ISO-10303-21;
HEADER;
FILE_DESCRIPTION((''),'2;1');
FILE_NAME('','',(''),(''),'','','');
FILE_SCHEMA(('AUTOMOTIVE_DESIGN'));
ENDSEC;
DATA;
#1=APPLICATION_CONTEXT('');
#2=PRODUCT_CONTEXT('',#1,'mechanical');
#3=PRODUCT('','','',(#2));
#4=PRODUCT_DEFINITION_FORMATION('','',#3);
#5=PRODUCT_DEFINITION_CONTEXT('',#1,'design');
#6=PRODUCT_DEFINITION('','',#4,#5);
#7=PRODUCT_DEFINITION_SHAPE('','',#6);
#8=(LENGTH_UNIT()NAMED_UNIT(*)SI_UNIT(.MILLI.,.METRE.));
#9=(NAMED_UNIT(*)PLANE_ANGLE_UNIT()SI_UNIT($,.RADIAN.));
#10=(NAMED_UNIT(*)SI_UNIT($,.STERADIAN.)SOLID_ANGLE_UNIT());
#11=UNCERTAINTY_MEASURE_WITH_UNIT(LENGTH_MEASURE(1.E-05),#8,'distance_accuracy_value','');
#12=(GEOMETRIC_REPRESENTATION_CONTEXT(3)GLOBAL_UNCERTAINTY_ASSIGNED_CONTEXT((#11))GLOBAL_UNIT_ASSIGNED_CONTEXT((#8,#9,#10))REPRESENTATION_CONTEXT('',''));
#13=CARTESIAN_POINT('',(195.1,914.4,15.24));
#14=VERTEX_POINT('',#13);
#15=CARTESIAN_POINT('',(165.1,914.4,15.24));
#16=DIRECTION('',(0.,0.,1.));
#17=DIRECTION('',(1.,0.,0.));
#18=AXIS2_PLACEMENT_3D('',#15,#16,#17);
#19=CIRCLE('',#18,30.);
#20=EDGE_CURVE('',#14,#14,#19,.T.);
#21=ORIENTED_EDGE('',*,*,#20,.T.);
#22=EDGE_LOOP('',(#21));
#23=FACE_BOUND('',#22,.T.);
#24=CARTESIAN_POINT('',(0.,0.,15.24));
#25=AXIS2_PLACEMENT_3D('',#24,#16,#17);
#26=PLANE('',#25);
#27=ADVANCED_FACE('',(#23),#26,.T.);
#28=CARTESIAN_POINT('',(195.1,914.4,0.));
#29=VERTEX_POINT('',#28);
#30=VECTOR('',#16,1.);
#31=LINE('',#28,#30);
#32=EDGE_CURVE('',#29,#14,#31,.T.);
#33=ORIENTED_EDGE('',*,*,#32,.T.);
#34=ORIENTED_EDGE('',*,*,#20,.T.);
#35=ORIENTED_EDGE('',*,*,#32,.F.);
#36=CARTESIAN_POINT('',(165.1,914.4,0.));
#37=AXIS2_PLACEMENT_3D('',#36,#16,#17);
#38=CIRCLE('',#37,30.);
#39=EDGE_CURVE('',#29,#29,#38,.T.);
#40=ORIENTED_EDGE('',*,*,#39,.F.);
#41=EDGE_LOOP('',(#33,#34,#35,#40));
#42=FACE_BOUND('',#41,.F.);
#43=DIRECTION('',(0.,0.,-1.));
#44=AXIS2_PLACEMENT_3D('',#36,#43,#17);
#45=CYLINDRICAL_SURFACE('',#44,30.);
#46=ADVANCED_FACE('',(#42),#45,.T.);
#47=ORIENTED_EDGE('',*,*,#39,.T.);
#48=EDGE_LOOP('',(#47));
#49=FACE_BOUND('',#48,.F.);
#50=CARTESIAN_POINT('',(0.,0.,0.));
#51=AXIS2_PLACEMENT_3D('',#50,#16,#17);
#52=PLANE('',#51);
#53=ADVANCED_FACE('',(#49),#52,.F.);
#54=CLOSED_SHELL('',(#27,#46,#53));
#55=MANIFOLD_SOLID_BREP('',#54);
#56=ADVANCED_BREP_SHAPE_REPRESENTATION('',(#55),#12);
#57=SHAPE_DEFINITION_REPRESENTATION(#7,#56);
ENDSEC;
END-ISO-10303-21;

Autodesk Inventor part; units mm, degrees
ref_plane "YZ Plane" through (0, 0, 0) normal (1, 0, 0) x (0, 1, 0)
ref_plane "XZ Plane" through (0, 0, 0) normal (0, 1, 0) x (-1, 0, 0)
ref_plane "XY Plane" through (0, 0, 0) normal (0, 0, 1) x (1, 0, 0)
sketch "Sketch1" plane through (0, 0, 0) normal (0, 0, 1) x (1, 0, 0)
  circle A0 centre (165.1, 914.4) radius 30
  line L0 (228.6, 1219.2) -> (-228.6, 1219.2) projected
  line L1 (-228.6, 1219.2) -> (-228.6, -1219.2) projected
  line L2 (-228.6, -1219.2) -> (228.6, -1219.2) projected
  line L3 (228.6, -1219.2) -> (228.6, 1219.2) projected
  line L4 (101.6, 889) -> (101.6, 1219.2) projected
  point P0 (0, 0)
  dimension "d0" = 63.5
  dimension "d1" = 304.8
  dimension "d2" = 60
extrude "Extrusion1" add sketch "Sketch1" along normal blind 15.24 contours A0
properties part number "Button" material "ABS Plastic"
